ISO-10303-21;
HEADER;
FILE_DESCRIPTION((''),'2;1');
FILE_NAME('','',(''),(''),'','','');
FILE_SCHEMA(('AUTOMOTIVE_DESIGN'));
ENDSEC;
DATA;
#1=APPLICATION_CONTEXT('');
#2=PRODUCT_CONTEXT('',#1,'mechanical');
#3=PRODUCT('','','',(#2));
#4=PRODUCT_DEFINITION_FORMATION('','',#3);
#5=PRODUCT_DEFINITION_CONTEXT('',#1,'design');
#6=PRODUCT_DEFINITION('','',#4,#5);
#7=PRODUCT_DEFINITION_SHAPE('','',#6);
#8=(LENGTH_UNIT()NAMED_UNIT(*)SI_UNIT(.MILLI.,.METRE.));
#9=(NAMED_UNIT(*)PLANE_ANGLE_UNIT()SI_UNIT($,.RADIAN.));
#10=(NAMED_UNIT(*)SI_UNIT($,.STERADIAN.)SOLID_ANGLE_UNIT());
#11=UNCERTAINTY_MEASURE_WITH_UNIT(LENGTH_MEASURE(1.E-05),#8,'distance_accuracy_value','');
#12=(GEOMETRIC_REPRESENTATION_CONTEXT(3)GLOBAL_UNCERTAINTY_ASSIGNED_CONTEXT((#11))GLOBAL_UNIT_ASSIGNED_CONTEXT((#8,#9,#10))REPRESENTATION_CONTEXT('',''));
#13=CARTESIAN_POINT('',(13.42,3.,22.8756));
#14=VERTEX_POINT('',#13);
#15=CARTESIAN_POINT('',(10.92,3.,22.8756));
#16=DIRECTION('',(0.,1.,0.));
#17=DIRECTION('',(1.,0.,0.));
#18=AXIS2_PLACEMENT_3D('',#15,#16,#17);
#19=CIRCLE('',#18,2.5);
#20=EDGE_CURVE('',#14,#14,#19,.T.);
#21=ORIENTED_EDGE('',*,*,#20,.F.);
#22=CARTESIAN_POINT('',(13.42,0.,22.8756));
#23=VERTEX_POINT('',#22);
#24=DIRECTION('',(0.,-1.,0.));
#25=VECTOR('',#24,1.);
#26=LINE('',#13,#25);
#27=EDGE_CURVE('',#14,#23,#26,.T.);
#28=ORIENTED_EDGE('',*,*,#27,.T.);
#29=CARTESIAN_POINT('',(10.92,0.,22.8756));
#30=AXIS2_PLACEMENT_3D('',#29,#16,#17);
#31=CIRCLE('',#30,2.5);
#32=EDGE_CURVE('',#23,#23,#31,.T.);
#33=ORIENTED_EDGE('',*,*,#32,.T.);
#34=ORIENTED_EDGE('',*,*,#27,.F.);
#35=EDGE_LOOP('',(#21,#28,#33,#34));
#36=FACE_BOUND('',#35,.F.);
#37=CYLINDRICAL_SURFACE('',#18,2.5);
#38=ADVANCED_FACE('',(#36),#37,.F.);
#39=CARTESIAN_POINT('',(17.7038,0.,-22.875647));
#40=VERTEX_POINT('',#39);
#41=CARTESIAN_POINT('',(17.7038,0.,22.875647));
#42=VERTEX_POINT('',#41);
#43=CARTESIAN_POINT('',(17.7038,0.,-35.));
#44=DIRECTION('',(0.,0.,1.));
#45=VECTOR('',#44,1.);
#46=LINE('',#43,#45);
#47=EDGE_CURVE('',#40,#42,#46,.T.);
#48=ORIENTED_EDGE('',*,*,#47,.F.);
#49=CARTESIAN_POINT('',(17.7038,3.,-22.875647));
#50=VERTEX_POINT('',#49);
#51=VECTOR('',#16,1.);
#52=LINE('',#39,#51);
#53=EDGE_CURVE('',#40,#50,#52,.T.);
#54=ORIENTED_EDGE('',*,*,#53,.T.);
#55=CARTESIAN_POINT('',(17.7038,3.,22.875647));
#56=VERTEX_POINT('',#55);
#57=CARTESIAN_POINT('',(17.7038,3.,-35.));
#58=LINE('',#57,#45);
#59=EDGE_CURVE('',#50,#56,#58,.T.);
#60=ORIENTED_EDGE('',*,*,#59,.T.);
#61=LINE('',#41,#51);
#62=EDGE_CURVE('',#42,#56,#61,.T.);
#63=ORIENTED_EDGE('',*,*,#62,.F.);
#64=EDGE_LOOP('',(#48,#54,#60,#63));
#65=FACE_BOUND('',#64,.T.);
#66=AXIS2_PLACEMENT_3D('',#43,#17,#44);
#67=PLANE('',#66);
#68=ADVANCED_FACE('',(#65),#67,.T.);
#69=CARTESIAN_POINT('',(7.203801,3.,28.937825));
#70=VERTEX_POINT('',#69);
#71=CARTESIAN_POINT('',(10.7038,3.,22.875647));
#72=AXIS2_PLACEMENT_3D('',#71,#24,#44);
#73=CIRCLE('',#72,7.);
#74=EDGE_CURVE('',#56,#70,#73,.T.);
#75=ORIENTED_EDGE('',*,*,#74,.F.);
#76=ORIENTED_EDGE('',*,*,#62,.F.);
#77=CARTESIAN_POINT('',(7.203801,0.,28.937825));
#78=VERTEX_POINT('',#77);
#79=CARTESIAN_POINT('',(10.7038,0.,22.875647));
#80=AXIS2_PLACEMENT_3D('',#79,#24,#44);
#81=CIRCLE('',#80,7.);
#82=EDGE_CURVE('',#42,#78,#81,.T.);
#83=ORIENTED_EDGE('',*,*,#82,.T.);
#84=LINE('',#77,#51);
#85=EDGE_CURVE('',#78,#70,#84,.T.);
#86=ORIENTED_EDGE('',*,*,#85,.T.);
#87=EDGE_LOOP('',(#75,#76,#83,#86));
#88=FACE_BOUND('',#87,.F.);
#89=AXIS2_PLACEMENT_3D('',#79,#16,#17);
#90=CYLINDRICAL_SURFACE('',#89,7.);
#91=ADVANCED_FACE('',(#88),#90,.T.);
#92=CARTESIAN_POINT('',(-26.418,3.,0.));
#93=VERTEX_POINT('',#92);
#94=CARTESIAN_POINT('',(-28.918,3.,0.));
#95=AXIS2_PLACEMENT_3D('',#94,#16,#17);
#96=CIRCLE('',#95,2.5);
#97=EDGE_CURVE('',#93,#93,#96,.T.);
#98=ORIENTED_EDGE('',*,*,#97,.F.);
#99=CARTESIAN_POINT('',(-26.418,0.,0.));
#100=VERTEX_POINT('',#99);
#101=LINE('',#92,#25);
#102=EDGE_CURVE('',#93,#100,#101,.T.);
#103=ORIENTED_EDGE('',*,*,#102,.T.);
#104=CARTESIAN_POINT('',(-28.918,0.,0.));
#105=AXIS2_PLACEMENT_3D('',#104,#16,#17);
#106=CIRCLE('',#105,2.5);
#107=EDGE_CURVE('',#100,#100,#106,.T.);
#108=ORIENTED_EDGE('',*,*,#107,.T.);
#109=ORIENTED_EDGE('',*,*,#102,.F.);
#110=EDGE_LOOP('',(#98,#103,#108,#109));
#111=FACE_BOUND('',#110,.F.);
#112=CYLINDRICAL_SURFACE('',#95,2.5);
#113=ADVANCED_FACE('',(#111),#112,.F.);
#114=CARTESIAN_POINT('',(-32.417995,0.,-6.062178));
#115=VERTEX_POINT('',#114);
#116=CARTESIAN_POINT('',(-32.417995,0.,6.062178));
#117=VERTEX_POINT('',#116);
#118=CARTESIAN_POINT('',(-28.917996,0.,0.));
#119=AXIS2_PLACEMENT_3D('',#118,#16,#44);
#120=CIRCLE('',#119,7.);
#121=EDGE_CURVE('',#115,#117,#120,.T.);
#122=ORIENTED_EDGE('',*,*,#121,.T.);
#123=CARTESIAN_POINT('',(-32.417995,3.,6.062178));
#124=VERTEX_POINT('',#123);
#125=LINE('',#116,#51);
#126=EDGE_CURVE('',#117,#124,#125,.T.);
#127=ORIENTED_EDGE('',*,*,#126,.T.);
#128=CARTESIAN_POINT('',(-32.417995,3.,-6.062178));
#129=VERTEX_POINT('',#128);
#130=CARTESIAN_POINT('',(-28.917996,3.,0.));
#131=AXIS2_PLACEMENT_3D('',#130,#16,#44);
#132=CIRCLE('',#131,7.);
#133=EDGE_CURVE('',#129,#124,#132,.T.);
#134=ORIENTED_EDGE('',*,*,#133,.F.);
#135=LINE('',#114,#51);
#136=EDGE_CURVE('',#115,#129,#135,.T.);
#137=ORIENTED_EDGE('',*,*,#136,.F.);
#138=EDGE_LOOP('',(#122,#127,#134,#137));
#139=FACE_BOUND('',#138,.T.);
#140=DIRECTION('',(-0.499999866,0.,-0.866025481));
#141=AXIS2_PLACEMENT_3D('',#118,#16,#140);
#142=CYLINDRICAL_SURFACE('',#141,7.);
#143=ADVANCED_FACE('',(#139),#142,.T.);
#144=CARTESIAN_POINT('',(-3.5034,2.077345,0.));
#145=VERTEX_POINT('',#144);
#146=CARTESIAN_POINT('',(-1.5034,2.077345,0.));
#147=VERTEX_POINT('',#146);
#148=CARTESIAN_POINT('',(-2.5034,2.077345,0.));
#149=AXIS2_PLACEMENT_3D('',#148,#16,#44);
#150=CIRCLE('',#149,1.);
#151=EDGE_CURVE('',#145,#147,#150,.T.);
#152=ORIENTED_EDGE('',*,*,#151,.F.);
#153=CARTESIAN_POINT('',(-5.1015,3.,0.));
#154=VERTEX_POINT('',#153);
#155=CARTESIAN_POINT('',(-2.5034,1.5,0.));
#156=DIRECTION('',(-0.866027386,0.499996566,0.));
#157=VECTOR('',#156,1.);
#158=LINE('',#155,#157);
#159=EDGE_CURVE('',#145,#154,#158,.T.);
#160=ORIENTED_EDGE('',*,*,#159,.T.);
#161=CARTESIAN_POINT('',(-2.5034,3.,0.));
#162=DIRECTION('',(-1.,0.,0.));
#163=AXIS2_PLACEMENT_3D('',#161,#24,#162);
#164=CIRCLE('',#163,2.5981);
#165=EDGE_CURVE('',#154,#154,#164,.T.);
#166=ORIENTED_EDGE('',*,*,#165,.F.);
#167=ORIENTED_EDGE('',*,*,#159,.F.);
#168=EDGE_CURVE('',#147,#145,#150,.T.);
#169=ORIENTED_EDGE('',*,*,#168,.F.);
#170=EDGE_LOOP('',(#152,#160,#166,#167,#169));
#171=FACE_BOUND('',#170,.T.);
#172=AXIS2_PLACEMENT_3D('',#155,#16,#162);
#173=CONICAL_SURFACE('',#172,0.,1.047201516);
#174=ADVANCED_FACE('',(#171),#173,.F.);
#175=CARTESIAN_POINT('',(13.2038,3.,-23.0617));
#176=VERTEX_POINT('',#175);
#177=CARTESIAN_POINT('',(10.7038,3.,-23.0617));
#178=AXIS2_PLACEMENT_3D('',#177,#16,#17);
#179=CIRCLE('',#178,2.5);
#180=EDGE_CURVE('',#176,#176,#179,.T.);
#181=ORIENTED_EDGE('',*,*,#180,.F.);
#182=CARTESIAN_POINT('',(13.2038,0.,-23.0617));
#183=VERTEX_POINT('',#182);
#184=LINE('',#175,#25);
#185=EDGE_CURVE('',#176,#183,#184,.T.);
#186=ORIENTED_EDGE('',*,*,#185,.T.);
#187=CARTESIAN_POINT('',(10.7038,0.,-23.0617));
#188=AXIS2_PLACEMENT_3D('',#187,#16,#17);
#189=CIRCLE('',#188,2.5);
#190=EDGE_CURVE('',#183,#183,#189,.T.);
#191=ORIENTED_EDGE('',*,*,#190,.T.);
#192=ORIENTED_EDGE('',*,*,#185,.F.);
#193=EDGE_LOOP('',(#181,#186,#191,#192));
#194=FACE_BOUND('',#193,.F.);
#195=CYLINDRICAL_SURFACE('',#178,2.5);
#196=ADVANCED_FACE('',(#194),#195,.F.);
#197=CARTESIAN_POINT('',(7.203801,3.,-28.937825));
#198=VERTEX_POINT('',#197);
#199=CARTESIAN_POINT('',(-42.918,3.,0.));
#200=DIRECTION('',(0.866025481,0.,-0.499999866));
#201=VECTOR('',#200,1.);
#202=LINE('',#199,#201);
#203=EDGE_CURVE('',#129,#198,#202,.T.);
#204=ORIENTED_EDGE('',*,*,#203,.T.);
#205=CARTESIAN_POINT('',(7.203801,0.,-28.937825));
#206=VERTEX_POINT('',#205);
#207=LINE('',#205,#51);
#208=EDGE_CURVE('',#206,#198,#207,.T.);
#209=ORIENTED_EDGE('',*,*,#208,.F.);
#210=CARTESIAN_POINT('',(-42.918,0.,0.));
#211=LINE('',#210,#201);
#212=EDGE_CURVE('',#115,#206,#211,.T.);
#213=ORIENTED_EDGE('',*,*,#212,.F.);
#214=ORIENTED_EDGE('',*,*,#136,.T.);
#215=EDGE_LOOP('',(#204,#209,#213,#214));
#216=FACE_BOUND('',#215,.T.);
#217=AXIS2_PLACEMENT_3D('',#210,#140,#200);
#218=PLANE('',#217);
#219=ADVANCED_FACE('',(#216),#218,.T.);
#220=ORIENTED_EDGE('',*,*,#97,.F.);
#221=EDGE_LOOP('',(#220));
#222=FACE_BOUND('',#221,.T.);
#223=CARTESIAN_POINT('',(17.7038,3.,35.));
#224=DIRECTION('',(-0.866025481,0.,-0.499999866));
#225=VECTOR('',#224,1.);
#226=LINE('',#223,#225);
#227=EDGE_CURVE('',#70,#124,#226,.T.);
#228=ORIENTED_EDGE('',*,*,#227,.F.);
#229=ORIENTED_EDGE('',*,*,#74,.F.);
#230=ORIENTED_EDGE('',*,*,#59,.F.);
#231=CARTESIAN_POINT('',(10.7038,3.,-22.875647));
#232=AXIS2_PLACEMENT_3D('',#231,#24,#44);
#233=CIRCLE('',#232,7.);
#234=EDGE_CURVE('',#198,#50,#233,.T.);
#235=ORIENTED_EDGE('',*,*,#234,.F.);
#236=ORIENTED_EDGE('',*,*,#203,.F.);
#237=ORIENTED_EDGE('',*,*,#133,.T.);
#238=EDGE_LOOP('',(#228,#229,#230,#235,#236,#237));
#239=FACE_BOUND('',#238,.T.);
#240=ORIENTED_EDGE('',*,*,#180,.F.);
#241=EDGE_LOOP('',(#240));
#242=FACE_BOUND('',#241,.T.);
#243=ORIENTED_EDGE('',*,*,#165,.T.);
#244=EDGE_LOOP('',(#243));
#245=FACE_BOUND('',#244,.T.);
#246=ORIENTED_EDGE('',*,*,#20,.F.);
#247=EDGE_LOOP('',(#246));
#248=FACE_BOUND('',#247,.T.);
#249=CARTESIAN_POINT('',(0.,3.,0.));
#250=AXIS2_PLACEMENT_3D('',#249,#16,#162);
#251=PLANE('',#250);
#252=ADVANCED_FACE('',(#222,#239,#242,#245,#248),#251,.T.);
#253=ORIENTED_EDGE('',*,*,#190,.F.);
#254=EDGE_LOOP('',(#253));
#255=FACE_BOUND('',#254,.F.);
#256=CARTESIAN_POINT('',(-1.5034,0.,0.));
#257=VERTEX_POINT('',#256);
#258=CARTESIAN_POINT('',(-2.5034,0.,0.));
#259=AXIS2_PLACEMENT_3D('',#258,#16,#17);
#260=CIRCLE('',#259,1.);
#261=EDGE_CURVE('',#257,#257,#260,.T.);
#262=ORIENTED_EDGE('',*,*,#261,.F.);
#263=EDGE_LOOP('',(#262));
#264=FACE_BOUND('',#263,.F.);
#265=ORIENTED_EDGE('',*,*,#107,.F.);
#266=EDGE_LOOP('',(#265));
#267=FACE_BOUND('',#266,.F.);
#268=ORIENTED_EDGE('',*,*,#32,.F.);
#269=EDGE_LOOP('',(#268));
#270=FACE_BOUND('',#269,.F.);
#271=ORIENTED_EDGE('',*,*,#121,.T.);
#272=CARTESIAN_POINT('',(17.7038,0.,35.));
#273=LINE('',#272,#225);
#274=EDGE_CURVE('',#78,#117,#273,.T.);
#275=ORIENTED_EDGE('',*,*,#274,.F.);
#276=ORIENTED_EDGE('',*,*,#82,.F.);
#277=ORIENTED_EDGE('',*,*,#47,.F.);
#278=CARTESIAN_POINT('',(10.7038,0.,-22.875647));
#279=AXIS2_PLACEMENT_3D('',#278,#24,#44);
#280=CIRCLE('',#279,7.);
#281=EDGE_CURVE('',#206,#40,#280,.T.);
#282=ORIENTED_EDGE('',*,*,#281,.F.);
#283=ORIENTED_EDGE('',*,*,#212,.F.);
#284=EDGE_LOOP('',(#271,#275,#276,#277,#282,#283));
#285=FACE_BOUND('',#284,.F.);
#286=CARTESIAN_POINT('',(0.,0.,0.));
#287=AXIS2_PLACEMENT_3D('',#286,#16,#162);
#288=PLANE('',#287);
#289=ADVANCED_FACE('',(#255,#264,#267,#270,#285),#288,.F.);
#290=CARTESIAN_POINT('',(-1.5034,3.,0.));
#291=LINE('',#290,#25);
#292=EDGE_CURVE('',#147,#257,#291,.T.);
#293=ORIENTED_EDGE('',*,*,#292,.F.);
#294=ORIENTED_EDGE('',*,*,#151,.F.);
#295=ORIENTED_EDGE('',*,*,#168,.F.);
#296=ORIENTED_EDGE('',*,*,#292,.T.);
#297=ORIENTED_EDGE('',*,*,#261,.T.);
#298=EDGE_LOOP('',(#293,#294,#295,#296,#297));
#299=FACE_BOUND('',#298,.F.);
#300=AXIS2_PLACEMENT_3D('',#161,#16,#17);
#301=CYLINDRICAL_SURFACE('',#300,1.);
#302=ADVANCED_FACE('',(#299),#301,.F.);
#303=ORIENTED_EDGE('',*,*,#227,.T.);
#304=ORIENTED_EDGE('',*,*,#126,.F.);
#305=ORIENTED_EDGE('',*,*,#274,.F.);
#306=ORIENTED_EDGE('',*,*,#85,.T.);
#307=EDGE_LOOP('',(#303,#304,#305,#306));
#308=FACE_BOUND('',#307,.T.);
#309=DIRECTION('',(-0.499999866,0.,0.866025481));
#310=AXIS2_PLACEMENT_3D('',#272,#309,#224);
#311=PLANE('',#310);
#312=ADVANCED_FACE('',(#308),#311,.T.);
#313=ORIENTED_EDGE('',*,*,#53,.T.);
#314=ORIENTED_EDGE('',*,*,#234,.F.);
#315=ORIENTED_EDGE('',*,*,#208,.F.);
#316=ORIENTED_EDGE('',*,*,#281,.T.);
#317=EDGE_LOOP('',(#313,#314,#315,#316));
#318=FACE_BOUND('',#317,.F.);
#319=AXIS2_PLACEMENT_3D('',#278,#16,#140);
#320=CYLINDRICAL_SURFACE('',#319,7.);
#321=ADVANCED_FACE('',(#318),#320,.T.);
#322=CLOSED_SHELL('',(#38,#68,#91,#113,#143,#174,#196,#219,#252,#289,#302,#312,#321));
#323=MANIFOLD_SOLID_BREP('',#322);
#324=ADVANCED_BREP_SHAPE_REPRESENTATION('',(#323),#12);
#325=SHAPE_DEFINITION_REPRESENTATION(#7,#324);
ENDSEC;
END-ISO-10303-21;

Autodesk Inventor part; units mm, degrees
ref_plane "YZ Plane" through (0, 0, 0) normal (1, 0, 0) x (0, 1, 0)
ref_plane "XZ Plane" through (0, 0, 0) normal (0, 1, 0) x (-1, 0, 0)
sketch "Szkic1" plane through (0, 0, 0) normal (0, 1, 0) x (-1, 0, 0)
  line L0 (42.918, 0) -> (-17.7038, -35)
  line L1 (-17.7038, -35) -> (-17.7038, 35)
  line L2 (-17.7038, 35) -> (42.918, 0)
  point P0 (0, 0)
  dimension "d0" = 70
  dimension "d1" = 35
  dimension "d2" = 60
  dimension "d3" = 60
extrude "Wyciągnięcie proste1" add sketch "Szkic1" along normal blind 3
fillet "Zaokrąglenie1" radius 7 3 edges at (17.7038, 1.5, 35) (17.7038, 1.5, -35) (-42.918, 1.5, 0)
sketch "Szkic2" plane through (0, 3, 0) normal (0, 1, 0) x (1, 0, 0)
  circle A0 centre (10.92, -22.8756) radius 2.5
  arc A1 (7.2038, -28.9378) -> (17.7038, -22.8756) centre (10.7038, -22.8756) ccw projected
  circle A2 centre (-28.918, 0) radius 2.5
  circle A3 centre (10.7038, 23.0617) radius 2.5
  arc A4 (-32.418, 6.0622) -> (-32.418, -6.0622) centre (-28.918, 0) ccw projected
  arc A5 (17.7038, 22.8756) -> (7.2038, 28.9378) centre (10.7038, 22.8756) ccw projected
  point P0 (0, 0)
  dimension "d7" = 0
  dimension "d8" = 5
  dimension "d9" = 5
  dimension "d10" = 5
  dimension "d11" = 0
  dimension "d12" = 0
extrude "Wyciągnięcie proste2" cut sketch "Szkic2" against normal blind 3
sketch "Szkic3" plane through (0, 3, 0) normal (0, 1, 0) x (1, 0, 0)
  line L0 (7.2038, 28.9378) -> (-32.418, 6.0622) projected
  line L1 (-32.418, -6.0622) -> (7.2038, -28.9378) projected
  line L2 (7.2038, -28.9378) -> (-32.418, -6.0622) projected
  circle A0 centre (-2.5034, 0) radius 1
  point P0 (0, 0)
  point P1 (-12.6071, -17.5)
  point P2 (-12.6071, 17.5)
  dimension "d18" = 2
extrude "Wyciągnięcie proste3" cut sketch "Szkic3" against normal blind 3
sketch "Szkic4" plane through (-32.418, 0, 6.0622) normal (-0.5, 0, 0.866) x (0.866, 0, 0.5)
  point P0 (25.0437, 0)
sketch "Szkic5" plane through (0, 3, 0) normal (0, 1, 0) x (1, 0, 0)
  circle A0 centre (-2.5034, 0) radius 1 projected
  line L0 (-3.5034, 0) -> (-3.5034, -1.2647)
  point P0 (0, 0)
  dimension "d19" = 1
ref_plane "Płaszczyzna konstrukcyjna1" through (-3.5034, 3, 0) normal (0, 0, 1) x (1, 0, 0)
sketch "Szkic6" plane through (0, 3, 0) normal (0, 1, 0) x (1, 0, 0)
  point P0 (0, 0)
sketch "Szkic7" plane through (-3.5034, 3, 0) normal (0, 0, 1) x (1, 0, 0)
  line L0 (0, 0) -> (2, 0) projected
  line L1 (1, 0) -> (-1.5981, 0)
  line L2 (1, -1.5) -> (-1.5981, 0)
  line L3 (1, -1.5) -> (1, 0)
  line L4 (1, 0.6) -> (1, -3.6) projected
  point P0 (3.5034, -3)
  dimension "d20" = 1.5
  dimension "d21" = 60
revolve "Obrót1" cut sketch "Szkic7" angle 360 about axis through (-2.5034, 3, 0) along (0, -1, 0)
sketch "Szkic8" plane through (0, 3, 0) normal (0, 1, 0) x (1, 0, 0)
  point P0 (0, 0)
properties part number "HandlePrimaryMirror" material "Aluminium 6061"
